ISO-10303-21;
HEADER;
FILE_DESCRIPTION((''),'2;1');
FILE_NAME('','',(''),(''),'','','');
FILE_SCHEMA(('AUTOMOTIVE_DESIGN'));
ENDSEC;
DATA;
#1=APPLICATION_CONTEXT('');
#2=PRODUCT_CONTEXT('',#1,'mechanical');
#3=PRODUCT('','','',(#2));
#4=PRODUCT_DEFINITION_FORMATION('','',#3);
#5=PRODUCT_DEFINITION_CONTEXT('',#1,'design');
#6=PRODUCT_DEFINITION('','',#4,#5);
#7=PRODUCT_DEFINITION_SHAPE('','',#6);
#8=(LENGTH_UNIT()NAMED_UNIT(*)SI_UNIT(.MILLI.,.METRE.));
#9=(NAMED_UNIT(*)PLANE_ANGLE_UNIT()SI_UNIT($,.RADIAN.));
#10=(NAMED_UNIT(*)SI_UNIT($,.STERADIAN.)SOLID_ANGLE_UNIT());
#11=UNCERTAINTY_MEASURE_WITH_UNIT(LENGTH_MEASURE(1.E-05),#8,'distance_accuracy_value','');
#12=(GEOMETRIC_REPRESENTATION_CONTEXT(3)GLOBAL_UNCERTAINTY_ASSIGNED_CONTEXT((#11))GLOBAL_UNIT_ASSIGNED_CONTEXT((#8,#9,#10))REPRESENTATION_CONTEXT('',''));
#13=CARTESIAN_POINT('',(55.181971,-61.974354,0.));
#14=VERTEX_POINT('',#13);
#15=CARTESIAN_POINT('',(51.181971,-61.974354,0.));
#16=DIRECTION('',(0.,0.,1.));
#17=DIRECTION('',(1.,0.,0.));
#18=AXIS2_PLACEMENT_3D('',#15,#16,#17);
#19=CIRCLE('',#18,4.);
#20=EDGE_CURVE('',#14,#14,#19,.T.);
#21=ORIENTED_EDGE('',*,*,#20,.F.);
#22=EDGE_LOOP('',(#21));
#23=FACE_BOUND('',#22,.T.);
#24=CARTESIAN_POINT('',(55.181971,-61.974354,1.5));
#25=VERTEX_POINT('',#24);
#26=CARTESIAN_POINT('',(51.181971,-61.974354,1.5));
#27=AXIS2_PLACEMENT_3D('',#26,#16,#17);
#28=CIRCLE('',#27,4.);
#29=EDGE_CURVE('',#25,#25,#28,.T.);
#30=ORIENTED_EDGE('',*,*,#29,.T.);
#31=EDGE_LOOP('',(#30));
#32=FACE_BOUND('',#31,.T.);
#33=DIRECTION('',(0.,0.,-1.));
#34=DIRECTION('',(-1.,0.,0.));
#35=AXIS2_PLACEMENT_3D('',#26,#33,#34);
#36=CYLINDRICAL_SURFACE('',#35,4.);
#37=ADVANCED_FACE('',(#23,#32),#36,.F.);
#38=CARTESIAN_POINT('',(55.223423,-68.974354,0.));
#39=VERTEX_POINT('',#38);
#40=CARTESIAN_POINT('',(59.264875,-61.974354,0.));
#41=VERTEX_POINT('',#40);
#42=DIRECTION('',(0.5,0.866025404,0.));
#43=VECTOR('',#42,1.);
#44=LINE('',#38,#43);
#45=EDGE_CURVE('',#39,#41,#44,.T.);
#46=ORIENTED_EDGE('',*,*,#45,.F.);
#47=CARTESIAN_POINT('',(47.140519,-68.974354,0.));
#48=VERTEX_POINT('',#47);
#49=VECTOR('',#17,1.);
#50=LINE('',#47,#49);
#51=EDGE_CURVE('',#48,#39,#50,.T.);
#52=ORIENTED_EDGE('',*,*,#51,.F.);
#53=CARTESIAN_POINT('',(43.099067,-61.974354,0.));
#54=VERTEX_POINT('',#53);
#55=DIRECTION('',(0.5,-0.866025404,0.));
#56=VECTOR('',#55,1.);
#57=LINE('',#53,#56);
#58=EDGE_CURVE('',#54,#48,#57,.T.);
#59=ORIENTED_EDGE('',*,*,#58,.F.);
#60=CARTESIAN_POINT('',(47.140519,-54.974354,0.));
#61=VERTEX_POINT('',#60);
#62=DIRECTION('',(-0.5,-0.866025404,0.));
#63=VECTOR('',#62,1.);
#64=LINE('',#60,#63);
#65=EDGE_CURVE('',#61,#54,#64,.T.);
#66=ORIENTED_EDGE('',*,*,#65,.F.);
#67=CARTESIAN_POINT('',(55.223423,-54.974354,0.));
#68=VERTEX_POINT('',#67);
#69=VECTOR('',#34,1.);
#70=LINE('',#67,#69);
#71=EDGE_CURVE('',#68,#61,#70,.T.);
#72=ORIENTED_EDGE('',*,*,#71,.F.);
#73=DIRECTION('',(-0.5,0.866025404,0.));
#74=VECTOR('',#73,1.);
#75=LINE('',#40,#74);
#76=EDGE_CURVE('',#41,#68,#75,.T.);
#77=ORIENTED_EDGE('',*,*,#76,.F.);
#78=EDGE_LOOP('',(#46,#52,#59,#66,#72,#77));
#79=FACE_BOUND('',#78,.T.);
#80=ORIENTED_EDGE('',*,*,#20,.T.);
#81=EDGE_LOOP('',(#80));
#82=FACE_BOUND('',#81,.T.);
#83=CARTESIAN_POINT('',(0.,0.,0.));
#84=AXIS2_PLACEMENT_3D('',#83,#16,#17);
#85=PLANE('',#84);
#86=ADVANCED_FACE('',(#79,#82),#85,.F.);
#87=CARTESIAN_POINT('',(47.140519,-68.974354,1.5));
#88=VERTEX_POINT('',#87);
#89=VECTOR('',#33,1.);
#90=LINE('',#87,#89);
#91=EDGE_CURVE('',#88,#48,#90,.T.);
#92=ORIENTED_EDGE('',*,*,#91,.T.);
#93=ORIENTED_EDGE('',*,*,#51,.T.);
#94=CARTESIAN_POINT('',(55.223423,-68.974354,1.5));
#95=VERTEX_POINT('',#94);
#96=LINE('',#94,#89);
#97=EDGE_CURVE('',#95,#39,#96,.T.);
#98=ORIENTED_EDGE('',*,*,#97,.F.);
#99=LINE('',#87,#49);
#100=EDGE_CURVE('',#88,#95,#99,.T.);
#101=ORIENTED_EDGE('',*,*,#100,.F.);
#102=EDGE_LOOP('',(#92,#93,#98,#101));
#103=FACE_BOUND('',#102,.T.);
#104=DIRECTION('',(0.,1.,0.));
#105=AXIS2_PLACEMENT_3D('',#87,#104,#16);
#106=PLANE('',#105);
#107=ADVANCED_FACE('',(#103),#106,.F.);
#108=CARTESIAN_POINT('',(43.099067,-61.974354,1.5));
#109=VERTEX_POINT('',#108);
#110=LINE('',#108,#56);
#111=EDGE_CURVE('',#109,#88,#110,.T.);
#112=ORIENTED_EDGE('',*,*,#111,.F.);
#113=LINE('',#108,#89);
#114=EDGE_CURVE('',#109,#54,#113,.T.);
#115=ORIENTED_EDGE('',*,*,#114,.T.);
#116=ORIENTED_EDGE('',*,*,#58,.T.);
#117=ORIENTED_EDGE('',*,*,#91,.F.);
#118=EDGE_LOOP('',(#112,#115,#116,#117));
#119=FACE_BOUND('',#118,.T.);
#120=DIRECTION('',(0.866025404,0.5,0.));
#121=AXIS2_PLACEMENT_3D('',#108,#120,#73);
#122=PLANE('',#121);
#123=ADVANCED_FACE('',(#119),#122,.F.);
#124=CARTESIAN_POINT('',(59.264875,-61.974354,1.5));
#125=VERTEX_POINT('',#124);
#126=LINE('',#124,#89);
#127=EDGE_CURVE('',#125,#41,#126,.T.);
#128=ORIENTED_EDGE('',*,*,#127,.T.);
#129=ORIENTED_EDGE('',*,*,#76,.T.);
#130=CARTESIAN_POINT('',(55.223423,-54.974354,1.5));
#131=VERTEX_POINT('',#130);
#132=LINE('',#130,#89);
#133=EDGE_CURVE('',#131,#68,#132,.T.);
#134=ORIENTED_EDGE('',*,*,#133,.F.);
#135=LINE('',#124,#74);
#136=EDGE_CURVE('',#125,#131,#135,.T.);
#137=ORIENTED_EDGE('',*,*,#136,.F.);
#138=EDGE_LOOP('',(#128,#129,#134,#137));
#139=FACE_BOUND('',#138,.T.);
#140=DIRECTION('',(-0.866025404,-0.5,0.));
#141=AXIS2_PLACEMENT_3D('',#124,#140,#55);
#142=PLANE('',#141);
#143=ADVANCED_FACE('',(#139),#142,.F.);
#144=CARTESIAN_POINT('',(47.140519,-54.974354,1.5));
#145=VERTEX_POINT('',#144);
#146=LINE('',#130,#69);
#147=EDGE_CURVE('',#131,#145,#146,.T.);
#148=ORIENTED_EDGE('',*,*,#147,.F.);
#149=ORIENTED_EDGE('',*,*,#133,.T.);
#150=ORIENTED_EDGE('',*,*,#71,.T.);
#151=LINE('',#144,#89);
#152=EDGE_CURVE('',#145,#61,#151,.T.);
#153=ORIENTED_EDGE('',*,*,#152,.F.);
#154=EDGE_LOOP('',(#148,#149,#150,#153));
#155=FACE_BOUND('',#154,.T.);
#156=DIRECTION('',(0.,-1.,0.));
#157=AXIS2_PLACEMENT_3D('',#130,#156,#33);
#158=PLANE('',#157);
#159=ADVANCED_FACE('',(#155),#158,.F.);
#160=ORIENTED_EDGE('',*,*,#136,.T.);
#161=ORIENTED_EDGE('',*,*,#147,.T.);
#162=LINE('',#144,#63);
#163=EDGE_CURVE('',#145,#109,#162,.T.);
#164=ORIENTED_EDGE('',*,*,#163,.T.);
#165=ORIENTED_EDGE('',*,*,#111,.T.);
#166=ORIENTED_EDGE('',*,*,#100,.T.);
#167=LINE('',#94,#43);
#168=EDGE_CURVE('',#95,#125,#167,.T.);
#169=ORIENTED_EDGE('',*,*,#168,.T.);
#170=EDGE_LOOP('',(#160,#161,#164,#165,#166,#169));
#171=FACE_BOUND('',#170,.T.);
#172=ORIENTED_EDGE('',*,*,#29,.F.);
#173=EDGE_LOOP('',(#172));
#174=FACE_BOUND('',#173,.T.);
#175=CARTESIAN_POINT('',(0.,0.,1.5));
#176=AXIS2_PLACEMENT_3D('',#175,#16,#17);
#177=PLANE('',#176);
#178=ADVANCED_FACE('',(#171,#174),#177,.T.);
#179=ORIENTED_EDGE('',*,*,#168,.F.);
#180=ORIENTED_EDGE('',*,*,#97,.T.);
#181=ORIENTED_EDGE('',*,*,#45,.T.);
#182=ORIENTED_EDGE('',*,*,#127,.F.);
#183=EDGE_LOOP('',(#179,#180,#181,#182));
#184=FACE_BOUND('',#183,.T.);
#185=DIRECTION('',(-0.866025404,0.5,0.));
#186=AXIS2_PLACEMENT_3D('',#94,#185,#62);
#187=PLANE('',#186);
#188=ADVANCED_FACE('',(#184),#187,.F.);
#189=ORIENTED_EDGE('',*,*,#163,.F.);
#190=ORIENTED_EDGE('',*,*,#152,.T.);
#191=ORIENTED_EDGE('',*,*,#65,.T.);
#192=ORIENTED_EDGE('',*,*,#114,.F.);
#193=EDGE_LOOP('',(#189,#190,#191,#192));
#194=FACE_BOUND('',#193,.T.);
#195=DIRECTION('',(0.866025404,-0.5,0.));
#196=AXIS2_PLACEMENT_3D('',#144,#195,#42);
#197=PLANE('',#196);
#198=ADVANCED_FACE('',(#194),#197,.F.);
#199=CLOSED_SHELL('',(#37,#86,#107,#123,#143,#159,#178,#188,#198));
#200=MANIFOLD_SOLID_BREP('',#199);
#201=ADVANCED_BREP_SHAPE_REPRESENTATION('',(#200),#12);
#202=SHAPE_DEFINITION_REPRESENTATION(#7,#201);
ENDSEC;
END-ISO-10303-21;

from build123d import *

# Parameters (mm, degrees)
SKETCH1_R           = 4
BOSS_EXTRUDE1_DEPTH = 1.5


with BuildPart() as part:
    # Sketch1 → Boss-Extrude1 (new body)
    with BuildSketch(Plane.XY):
        Polygon((47.14051893, -68.974353767), (55.223422699, -68.974353767), (59.264874583, -61.974353767), (55.223422699, -54.974353767), (47.14051893, -54.974353767), (43.099067046, -61.974353767), align=None)
        with Locations((51.181970815, -61.974353767)):
            Circle(SKETCH1_R, mode=Mode.SUBTRACT)
    extrude(amount=BOSS_EXTRUDE1_DEPTH)


solid = part.part
